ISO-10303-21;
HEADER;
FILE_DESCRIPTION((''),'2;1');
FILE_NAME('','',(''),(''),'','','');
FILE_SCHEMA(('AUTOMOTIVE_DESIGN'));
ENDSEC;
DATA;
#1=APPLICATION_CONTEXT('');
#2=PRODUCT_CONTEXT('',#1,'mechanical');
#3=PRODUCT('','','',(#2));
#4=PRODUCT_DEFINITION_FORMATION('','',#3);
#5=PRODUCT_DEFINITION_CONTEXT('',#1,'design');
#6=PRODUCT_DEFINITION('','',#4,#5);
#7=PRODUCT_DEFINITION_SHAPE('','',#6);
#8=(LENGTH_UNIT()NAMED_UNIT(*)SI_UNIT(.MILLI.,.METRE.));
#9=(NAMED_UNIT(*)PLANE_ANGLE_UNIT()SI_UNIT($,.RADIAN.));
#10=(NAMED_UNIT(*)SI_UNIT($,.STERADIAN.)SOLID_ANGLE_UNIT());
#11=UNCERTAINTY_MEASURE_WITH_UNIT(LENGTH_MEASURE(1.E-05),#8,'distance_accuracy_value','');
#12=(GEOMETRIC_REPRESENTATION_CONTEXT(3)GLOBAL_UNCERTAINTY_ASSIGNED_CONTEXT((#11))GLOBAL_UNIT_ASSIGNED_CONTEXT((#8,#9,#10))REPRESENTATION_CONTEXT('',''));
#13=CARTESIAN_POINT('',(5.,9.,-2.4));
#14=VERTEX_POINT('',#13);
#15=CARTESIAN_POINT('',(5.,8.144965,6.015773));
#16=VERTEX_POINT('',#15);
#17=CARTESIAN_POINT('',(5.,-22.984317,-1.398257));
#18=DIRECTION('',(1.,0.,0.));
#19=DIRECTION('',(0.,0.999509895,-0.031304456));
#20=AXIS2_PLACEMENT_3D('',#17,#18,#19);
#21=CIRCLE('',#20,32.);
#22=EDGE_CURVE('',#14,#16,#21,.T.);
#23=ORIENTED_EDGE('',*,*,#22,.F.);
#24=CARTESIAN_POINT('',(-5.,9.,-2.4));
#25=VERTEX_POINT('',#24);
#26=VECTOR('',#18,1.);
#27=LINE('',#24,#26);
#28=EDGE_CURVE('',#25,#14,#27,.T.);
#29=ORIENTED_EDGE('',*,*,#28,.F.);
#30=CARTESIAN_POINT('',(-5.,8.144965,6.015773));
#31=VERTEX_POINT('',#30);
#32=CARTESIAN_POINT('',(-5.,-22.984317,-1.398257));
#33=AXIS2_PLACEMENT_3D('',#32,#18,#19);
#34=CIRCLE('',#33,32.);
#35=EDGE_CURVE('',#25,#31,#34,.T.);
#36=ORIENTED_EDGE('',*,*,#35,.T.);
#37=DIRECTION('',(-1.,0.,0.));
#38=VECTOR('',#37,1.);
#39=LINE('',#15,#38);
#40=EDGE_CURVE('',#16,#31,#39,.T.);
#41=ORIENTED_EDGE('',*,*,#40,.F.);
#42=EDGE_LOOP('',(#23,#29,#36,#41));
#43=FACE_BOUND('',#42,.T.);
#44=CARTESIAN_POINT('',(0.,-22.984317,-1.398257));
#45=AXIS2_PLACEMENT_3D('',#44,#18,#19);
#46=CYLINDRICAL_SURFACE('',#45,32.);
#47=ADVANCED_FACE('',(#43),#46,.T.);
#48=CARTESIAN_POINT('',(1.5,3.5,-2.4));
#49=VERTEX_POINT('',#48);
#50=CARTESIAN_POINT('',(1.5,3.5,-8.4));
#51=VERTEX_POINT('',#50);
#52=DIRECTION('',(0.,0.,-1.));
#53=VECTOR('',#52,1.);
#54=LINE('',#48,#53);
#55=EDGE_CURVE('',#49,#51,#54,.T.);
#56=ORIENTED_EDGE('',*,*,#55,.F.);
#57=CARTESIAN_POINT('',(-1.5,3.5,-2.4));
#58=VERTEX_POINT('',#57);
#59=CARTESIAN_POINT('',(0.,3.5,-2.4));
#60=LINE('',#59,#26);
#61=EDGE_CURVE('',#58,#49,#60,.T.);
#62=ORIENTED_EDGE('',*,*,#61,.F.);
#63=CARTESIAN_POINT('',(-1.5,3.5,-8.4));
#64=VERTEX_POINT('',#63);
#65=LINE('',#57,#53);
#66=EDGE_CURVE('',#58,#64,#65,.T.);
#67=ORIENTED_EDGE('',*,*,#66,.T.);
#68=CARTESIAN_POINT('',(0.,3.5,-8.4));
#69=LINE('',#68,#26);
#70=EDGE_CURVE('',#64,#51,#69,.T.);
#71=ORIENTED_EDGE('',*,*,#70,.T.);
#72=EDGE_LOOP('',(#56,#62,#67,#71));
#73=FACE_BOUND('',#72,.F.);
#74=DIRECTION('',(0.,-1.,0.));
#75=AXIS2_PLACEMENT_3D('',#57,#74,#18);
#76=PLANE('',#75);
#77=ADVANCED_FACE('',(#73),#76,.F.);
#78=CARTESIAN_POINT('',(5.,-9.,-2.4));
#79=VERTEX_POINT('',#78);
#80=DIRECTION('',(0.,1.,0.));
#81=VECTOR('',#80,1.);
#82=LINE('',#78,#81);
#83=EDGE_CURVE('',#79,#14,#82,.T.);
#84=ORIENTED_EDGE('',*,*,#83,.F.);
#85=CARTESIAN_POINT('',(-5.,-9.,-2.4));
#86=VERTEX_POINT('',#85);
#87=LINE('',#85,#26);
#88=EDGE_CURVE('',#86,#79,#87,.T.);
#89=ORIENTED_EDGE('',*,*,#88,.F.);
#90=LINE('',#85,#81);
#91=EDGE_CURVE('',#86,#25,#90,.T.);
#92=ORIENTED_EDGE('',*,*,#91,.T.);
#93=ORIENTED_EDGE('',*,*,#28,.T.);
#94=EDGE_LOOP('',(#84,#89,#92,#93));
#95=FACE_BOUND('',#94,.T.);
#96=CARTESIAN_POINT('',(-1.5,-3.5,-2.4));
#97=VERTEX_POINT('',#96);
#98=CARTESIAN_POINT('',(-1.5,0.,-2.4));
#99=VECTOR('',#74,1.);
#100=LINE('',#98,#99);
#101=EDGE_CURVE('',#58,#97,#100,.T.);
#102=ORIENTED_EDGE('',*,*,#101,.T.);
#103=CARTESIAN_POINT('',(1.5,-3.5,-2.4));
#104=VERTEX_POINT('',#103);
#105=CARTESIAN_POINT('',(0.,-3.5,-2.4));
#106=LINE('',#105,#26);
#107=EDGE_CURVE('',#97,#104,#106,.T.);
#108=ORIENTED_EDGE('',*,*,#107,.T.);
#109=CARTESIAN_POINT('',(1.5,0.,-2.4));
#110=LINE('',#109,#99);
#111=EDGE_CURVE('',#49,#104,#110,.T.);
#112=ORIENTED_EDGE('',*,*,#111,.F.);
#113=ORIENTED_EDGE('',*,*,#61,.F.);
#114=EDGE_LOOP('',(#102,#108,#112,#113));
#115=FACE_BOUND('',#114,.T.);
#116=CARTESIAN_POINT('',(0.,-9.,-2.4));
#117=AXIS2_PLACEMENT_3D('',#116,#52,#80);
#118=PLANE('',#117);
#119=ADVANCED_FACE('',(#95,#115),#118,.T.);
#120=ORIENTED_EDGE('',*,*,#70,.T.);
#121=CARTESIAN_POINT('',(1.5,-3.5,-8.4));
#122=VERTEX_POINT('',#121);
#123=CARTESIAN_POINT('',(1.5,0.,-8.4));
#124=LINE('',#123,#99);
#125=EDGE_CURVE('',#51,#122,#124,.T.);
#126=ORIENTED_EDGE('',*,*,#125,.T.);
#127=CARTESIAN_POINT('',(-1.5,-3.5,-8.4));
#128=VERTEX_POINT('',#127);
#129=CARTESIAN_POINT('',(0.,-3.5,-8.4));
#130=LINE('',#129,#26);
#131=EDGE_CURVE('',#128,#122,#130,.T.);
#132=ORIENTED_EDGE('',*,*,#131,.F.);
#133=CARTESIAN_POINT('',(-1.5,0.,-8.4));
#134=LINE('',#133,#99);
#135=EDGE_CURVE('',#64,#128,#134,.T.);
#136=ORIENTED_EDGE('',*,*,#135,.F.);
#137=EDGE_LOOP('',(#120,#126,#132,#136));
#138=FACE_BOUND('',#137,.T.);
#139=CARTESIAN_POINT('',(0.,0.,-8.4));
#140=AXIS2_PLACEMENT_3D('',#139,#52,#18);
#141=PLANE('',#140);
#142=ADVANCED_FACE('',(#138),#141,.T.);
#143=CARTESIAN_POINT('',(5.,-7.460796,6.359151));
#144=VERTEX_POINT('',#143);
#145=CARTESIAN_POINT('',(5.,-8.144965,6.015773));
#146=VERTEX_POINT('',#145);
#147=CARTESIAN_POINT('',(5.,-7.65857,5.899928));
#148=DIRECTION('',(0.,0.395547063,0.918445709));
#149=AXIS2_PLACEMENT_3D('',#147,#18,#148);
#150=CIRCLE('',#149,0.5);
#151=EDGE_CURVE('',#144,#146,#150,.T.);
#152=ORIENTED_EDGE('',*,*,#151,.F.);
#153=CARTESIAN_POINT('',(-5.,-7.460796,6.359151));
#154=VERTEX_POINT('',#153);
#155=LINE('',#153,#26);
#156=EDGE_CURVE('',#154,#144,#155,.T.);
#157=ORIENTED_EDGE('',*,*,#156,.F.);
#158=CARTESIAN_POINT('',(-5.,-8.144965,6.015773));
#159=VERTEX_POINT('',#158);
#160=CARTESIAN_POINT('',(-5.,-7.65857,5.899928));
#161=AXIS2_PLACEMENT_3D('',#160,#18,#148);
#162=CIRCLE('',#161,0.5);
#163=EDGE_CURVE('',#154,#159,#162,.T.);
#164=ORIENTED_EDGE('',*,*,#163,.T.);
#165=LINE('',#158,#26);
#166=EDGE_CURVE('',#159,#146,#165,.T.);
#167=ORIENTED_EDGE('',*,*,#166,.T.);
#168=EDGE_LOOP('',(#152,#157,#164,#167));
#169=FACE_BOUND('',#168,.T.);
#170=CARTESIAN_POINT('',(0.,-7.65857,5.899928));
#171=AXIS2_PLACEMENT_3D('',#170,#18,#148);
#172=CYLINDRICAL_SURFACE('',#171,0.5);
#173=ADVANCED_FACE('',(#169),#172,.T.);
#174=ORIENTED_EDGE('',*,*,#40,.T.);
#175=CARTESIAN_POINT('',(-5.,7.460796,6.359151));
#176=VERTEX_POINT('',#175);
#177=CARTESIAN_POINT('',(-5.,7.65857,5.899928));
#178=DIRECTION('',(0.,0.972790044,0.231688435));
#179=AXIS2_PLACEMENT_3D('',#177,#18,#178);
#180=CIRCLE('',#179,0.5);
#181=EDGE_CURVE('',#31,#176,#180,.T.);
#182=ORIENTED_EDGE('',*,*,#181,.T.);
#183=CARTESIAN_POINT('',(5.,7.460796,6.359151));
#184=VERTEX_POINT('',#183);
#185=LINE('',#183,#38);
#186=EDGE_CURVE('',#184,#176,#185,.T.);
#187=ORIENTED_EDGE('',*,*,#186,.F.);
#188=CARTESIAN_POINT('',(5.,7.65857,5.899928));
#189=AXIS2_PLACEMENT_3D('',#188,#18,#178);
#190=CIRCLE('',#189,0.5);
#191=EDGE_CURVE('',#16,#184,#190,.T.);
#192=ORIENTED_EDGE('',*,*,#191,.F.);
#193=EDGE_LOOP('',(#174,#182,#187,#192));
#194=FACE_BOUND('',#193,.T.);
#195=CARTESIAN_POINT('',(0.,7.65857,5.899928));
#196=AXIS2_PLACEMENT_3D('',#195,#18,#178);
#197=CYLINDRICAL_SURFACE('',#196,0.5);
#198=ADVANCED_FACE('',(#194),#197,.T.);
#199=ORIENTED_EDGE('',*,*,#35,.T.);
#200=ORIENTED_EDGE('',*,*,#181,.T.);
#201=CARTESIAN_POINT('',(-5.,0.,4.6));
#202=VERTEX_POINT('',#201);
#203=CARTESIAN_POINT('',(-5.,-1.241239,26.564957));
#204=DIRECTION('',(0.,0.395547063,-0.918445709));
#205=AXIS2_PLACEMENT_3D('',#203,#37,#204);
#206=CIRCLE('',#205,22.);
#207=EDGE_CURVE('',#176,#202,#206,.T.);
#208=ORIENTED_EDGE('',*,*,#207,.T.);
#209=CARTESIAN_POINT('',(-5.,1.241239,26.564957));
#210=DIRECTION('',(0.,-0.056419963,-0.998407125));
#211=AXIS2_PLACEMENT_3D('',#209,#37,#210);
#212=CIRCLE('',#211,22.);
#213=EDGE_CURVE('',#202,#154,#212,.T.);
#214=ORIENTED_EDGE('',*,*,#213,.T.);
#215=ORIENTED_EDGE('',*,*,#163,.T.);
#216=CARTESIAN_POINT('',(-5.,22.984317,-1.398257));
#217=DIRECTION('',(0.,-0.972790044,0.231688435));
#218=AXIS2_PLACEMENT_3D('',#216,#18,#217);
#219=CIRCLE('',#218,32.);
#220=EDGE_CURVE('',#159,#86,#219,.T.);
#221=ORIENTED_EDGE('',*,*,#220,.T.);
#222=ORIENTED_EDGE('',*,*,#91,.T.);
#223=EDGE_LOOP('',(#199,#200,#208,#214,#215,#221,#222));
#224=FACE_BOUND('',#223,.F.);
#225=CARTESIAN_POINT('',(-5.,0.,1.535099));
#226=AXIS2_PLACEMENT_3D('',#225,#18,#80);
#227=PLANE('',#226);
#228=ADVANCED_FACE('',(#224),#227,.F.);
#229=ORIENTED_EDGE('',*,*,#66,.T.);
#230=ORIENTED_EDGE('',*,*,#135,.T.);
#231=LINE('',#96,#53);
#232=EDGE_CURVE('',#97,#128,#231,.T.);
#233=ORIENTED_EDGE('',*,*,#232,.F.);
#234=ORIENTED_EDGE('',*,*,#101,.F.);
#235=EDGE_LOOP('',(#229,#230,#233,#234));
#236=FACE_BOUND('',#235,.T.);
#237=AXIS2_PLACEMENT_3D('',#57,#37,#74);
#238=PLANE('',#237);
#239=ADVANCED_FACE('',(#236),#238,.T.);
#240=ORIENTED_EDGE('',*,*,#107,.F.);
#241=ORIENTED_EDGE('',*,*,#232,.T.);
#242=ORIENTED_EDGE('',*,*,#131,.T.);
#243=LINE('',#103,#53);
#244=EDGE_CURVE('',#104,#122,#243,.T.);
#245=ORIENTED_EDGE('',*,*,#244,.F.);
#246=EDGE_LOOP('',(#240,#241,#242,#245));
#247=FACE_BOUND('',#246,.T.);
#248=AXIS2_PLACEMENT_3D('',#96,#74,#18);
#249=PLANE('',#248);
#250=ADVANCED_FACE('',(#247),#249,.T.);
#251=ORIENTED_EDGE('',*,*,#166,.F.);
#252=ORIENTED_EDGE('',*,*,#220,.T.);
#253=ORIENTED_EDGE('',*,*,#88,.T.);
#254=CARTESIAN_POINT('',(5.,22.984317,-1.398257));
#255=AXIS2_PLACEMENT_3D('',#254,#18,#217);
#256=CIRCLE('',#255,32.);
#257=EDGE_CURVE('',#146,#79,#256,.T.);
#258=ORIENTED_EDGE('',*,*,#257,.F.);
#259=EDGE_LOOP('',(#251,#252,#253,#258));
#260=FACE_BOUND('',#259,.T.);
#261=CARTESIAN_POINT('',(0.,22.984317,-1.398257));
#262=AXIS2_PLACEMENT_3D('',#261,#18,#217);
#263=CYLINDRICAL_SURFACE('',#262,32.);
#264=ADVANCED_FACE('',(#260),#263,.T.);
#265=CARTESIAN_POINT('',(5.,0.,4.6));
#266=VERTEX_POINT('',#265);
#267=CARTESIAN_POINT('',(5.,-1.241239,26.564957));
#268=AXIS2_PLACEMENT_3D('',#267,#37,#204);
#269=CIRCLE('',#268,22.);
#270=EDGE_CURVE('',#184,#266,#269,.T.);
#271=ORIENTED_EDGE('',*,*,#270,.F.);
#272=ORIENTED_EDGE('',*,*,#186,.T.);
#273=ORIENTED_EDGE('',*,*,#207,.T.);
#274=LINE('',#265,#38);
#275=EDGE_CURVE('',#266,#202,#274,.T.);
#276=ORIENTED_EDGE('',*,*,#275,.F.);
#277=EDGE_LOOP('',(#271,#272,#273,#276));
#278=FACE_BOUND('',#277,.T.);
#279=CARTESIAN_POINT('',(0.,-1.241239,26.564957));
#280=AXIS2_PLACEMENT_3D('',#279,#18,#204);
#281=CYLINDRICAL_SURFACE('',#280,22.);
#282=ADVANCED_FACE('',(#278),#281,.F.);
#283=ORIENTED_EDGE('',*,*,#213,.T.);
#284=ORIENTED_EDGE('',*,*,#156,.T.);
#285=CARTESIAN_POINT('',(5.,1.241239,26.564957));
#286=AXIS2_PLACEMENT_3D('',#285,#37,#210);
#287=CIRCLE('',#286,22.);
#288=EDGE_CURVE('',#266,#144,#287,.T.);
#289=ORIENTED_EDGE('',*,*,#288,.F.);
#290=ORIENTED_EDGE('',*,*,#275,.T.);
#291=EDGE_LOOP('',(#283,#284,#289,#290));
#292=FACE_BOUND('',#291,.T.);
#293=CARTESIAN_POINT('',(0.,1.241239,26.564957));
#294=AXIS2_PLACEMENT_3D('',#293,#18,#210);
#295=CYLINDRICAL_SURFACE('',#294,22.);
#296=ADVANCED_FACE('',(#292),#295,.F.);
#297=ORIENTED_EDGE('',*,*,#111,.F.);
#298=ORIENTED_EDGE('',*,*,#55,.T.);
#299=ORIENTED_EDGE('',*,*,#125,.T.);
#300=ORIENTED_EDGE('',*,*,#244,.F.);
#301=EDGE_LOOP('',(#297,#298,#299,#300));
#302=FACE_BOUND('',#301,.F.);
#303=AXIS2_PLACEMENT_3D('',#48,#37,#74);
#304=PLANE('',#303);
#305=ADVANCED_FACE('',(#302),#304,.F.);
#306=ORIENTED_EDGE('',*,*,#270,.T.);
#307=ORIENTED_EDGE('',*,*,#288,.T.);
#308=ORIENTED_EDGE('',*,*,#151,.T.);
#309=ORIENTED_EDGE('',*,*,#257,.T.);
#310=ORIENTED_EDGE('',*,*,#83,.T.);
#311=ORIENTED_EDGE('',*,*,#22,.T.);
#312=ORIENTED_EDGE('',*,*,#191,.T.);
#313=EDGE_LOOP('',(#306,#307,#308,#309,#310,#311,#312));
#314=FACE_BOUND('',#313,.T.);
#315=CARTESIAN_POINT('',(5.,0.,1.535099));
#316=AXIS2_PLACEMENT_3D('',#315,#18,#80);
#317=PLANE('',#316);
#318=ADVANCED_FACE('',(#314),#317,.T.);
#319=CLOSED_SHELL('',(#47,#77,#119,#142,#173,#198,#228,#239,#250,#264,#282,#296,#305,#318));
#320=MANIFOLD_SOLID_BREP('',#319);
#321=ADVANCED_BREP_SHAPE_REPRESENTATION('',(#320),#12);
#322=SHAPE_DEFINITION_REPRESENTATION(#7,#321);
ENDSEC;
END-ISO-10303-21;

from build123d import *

# Parameters (mm, degrees)
F1_DEPTH = 5
F2_W     = 3
F2_H     = 7
F3_DEPTH = 6


with BuildPart() as f1:
    # F0 (on Right) → F1 (new body, symmetric)
    with BuildSketch(Plane.YZ):
        with BuildLine():
            ThreePointArc((0, 4.6000001004), (-3.8076052812, 5.1521296368), (-7.460796192, 6.3591512489))
            ThreePointArc((-7.460796192, 6.3591512489), (-7.8828526102, 6.3468033059), (-8.1449647452, 6.0157726117))
            ThreePointArc((-8.1449647452, 6.0157726117), (-8.8517929002, 1.8362640656), (-9, -2.3999998996))
            Line((-9, -2.3999998996), (0, -2.3999998996))
            Line((0, -2.3999998996), (9, -2.3999998996))
            ThreePointArc((9, -2.3999998996), (8.8517929002, 1.8362640656), (8.1449647452, 6.0157726117))
            ThreePointArc((8.1449647452, 6.0157726117), (7.8828526102, 6.3468033059), (7.460796192, 6.3591512489))
            ThreePointArc((7.460796192, 6.3591512489), (3.8076052812, 5.1521296368), (0, 4.6000001004))
        make_face()
    extrude(amount=F1_DEPTH, both=True)

    # F2 (on face) → F3 (join)
    with BuildSketch(Plane(origin=(0, 0, -2.3999998996), x_dir=(1, 0, 0), z_dir=(0, 0, -1))):
        Rectangle(F2_W, F2_H)
    extrude(amount=F3_DEPTH)


solid = f1.part
